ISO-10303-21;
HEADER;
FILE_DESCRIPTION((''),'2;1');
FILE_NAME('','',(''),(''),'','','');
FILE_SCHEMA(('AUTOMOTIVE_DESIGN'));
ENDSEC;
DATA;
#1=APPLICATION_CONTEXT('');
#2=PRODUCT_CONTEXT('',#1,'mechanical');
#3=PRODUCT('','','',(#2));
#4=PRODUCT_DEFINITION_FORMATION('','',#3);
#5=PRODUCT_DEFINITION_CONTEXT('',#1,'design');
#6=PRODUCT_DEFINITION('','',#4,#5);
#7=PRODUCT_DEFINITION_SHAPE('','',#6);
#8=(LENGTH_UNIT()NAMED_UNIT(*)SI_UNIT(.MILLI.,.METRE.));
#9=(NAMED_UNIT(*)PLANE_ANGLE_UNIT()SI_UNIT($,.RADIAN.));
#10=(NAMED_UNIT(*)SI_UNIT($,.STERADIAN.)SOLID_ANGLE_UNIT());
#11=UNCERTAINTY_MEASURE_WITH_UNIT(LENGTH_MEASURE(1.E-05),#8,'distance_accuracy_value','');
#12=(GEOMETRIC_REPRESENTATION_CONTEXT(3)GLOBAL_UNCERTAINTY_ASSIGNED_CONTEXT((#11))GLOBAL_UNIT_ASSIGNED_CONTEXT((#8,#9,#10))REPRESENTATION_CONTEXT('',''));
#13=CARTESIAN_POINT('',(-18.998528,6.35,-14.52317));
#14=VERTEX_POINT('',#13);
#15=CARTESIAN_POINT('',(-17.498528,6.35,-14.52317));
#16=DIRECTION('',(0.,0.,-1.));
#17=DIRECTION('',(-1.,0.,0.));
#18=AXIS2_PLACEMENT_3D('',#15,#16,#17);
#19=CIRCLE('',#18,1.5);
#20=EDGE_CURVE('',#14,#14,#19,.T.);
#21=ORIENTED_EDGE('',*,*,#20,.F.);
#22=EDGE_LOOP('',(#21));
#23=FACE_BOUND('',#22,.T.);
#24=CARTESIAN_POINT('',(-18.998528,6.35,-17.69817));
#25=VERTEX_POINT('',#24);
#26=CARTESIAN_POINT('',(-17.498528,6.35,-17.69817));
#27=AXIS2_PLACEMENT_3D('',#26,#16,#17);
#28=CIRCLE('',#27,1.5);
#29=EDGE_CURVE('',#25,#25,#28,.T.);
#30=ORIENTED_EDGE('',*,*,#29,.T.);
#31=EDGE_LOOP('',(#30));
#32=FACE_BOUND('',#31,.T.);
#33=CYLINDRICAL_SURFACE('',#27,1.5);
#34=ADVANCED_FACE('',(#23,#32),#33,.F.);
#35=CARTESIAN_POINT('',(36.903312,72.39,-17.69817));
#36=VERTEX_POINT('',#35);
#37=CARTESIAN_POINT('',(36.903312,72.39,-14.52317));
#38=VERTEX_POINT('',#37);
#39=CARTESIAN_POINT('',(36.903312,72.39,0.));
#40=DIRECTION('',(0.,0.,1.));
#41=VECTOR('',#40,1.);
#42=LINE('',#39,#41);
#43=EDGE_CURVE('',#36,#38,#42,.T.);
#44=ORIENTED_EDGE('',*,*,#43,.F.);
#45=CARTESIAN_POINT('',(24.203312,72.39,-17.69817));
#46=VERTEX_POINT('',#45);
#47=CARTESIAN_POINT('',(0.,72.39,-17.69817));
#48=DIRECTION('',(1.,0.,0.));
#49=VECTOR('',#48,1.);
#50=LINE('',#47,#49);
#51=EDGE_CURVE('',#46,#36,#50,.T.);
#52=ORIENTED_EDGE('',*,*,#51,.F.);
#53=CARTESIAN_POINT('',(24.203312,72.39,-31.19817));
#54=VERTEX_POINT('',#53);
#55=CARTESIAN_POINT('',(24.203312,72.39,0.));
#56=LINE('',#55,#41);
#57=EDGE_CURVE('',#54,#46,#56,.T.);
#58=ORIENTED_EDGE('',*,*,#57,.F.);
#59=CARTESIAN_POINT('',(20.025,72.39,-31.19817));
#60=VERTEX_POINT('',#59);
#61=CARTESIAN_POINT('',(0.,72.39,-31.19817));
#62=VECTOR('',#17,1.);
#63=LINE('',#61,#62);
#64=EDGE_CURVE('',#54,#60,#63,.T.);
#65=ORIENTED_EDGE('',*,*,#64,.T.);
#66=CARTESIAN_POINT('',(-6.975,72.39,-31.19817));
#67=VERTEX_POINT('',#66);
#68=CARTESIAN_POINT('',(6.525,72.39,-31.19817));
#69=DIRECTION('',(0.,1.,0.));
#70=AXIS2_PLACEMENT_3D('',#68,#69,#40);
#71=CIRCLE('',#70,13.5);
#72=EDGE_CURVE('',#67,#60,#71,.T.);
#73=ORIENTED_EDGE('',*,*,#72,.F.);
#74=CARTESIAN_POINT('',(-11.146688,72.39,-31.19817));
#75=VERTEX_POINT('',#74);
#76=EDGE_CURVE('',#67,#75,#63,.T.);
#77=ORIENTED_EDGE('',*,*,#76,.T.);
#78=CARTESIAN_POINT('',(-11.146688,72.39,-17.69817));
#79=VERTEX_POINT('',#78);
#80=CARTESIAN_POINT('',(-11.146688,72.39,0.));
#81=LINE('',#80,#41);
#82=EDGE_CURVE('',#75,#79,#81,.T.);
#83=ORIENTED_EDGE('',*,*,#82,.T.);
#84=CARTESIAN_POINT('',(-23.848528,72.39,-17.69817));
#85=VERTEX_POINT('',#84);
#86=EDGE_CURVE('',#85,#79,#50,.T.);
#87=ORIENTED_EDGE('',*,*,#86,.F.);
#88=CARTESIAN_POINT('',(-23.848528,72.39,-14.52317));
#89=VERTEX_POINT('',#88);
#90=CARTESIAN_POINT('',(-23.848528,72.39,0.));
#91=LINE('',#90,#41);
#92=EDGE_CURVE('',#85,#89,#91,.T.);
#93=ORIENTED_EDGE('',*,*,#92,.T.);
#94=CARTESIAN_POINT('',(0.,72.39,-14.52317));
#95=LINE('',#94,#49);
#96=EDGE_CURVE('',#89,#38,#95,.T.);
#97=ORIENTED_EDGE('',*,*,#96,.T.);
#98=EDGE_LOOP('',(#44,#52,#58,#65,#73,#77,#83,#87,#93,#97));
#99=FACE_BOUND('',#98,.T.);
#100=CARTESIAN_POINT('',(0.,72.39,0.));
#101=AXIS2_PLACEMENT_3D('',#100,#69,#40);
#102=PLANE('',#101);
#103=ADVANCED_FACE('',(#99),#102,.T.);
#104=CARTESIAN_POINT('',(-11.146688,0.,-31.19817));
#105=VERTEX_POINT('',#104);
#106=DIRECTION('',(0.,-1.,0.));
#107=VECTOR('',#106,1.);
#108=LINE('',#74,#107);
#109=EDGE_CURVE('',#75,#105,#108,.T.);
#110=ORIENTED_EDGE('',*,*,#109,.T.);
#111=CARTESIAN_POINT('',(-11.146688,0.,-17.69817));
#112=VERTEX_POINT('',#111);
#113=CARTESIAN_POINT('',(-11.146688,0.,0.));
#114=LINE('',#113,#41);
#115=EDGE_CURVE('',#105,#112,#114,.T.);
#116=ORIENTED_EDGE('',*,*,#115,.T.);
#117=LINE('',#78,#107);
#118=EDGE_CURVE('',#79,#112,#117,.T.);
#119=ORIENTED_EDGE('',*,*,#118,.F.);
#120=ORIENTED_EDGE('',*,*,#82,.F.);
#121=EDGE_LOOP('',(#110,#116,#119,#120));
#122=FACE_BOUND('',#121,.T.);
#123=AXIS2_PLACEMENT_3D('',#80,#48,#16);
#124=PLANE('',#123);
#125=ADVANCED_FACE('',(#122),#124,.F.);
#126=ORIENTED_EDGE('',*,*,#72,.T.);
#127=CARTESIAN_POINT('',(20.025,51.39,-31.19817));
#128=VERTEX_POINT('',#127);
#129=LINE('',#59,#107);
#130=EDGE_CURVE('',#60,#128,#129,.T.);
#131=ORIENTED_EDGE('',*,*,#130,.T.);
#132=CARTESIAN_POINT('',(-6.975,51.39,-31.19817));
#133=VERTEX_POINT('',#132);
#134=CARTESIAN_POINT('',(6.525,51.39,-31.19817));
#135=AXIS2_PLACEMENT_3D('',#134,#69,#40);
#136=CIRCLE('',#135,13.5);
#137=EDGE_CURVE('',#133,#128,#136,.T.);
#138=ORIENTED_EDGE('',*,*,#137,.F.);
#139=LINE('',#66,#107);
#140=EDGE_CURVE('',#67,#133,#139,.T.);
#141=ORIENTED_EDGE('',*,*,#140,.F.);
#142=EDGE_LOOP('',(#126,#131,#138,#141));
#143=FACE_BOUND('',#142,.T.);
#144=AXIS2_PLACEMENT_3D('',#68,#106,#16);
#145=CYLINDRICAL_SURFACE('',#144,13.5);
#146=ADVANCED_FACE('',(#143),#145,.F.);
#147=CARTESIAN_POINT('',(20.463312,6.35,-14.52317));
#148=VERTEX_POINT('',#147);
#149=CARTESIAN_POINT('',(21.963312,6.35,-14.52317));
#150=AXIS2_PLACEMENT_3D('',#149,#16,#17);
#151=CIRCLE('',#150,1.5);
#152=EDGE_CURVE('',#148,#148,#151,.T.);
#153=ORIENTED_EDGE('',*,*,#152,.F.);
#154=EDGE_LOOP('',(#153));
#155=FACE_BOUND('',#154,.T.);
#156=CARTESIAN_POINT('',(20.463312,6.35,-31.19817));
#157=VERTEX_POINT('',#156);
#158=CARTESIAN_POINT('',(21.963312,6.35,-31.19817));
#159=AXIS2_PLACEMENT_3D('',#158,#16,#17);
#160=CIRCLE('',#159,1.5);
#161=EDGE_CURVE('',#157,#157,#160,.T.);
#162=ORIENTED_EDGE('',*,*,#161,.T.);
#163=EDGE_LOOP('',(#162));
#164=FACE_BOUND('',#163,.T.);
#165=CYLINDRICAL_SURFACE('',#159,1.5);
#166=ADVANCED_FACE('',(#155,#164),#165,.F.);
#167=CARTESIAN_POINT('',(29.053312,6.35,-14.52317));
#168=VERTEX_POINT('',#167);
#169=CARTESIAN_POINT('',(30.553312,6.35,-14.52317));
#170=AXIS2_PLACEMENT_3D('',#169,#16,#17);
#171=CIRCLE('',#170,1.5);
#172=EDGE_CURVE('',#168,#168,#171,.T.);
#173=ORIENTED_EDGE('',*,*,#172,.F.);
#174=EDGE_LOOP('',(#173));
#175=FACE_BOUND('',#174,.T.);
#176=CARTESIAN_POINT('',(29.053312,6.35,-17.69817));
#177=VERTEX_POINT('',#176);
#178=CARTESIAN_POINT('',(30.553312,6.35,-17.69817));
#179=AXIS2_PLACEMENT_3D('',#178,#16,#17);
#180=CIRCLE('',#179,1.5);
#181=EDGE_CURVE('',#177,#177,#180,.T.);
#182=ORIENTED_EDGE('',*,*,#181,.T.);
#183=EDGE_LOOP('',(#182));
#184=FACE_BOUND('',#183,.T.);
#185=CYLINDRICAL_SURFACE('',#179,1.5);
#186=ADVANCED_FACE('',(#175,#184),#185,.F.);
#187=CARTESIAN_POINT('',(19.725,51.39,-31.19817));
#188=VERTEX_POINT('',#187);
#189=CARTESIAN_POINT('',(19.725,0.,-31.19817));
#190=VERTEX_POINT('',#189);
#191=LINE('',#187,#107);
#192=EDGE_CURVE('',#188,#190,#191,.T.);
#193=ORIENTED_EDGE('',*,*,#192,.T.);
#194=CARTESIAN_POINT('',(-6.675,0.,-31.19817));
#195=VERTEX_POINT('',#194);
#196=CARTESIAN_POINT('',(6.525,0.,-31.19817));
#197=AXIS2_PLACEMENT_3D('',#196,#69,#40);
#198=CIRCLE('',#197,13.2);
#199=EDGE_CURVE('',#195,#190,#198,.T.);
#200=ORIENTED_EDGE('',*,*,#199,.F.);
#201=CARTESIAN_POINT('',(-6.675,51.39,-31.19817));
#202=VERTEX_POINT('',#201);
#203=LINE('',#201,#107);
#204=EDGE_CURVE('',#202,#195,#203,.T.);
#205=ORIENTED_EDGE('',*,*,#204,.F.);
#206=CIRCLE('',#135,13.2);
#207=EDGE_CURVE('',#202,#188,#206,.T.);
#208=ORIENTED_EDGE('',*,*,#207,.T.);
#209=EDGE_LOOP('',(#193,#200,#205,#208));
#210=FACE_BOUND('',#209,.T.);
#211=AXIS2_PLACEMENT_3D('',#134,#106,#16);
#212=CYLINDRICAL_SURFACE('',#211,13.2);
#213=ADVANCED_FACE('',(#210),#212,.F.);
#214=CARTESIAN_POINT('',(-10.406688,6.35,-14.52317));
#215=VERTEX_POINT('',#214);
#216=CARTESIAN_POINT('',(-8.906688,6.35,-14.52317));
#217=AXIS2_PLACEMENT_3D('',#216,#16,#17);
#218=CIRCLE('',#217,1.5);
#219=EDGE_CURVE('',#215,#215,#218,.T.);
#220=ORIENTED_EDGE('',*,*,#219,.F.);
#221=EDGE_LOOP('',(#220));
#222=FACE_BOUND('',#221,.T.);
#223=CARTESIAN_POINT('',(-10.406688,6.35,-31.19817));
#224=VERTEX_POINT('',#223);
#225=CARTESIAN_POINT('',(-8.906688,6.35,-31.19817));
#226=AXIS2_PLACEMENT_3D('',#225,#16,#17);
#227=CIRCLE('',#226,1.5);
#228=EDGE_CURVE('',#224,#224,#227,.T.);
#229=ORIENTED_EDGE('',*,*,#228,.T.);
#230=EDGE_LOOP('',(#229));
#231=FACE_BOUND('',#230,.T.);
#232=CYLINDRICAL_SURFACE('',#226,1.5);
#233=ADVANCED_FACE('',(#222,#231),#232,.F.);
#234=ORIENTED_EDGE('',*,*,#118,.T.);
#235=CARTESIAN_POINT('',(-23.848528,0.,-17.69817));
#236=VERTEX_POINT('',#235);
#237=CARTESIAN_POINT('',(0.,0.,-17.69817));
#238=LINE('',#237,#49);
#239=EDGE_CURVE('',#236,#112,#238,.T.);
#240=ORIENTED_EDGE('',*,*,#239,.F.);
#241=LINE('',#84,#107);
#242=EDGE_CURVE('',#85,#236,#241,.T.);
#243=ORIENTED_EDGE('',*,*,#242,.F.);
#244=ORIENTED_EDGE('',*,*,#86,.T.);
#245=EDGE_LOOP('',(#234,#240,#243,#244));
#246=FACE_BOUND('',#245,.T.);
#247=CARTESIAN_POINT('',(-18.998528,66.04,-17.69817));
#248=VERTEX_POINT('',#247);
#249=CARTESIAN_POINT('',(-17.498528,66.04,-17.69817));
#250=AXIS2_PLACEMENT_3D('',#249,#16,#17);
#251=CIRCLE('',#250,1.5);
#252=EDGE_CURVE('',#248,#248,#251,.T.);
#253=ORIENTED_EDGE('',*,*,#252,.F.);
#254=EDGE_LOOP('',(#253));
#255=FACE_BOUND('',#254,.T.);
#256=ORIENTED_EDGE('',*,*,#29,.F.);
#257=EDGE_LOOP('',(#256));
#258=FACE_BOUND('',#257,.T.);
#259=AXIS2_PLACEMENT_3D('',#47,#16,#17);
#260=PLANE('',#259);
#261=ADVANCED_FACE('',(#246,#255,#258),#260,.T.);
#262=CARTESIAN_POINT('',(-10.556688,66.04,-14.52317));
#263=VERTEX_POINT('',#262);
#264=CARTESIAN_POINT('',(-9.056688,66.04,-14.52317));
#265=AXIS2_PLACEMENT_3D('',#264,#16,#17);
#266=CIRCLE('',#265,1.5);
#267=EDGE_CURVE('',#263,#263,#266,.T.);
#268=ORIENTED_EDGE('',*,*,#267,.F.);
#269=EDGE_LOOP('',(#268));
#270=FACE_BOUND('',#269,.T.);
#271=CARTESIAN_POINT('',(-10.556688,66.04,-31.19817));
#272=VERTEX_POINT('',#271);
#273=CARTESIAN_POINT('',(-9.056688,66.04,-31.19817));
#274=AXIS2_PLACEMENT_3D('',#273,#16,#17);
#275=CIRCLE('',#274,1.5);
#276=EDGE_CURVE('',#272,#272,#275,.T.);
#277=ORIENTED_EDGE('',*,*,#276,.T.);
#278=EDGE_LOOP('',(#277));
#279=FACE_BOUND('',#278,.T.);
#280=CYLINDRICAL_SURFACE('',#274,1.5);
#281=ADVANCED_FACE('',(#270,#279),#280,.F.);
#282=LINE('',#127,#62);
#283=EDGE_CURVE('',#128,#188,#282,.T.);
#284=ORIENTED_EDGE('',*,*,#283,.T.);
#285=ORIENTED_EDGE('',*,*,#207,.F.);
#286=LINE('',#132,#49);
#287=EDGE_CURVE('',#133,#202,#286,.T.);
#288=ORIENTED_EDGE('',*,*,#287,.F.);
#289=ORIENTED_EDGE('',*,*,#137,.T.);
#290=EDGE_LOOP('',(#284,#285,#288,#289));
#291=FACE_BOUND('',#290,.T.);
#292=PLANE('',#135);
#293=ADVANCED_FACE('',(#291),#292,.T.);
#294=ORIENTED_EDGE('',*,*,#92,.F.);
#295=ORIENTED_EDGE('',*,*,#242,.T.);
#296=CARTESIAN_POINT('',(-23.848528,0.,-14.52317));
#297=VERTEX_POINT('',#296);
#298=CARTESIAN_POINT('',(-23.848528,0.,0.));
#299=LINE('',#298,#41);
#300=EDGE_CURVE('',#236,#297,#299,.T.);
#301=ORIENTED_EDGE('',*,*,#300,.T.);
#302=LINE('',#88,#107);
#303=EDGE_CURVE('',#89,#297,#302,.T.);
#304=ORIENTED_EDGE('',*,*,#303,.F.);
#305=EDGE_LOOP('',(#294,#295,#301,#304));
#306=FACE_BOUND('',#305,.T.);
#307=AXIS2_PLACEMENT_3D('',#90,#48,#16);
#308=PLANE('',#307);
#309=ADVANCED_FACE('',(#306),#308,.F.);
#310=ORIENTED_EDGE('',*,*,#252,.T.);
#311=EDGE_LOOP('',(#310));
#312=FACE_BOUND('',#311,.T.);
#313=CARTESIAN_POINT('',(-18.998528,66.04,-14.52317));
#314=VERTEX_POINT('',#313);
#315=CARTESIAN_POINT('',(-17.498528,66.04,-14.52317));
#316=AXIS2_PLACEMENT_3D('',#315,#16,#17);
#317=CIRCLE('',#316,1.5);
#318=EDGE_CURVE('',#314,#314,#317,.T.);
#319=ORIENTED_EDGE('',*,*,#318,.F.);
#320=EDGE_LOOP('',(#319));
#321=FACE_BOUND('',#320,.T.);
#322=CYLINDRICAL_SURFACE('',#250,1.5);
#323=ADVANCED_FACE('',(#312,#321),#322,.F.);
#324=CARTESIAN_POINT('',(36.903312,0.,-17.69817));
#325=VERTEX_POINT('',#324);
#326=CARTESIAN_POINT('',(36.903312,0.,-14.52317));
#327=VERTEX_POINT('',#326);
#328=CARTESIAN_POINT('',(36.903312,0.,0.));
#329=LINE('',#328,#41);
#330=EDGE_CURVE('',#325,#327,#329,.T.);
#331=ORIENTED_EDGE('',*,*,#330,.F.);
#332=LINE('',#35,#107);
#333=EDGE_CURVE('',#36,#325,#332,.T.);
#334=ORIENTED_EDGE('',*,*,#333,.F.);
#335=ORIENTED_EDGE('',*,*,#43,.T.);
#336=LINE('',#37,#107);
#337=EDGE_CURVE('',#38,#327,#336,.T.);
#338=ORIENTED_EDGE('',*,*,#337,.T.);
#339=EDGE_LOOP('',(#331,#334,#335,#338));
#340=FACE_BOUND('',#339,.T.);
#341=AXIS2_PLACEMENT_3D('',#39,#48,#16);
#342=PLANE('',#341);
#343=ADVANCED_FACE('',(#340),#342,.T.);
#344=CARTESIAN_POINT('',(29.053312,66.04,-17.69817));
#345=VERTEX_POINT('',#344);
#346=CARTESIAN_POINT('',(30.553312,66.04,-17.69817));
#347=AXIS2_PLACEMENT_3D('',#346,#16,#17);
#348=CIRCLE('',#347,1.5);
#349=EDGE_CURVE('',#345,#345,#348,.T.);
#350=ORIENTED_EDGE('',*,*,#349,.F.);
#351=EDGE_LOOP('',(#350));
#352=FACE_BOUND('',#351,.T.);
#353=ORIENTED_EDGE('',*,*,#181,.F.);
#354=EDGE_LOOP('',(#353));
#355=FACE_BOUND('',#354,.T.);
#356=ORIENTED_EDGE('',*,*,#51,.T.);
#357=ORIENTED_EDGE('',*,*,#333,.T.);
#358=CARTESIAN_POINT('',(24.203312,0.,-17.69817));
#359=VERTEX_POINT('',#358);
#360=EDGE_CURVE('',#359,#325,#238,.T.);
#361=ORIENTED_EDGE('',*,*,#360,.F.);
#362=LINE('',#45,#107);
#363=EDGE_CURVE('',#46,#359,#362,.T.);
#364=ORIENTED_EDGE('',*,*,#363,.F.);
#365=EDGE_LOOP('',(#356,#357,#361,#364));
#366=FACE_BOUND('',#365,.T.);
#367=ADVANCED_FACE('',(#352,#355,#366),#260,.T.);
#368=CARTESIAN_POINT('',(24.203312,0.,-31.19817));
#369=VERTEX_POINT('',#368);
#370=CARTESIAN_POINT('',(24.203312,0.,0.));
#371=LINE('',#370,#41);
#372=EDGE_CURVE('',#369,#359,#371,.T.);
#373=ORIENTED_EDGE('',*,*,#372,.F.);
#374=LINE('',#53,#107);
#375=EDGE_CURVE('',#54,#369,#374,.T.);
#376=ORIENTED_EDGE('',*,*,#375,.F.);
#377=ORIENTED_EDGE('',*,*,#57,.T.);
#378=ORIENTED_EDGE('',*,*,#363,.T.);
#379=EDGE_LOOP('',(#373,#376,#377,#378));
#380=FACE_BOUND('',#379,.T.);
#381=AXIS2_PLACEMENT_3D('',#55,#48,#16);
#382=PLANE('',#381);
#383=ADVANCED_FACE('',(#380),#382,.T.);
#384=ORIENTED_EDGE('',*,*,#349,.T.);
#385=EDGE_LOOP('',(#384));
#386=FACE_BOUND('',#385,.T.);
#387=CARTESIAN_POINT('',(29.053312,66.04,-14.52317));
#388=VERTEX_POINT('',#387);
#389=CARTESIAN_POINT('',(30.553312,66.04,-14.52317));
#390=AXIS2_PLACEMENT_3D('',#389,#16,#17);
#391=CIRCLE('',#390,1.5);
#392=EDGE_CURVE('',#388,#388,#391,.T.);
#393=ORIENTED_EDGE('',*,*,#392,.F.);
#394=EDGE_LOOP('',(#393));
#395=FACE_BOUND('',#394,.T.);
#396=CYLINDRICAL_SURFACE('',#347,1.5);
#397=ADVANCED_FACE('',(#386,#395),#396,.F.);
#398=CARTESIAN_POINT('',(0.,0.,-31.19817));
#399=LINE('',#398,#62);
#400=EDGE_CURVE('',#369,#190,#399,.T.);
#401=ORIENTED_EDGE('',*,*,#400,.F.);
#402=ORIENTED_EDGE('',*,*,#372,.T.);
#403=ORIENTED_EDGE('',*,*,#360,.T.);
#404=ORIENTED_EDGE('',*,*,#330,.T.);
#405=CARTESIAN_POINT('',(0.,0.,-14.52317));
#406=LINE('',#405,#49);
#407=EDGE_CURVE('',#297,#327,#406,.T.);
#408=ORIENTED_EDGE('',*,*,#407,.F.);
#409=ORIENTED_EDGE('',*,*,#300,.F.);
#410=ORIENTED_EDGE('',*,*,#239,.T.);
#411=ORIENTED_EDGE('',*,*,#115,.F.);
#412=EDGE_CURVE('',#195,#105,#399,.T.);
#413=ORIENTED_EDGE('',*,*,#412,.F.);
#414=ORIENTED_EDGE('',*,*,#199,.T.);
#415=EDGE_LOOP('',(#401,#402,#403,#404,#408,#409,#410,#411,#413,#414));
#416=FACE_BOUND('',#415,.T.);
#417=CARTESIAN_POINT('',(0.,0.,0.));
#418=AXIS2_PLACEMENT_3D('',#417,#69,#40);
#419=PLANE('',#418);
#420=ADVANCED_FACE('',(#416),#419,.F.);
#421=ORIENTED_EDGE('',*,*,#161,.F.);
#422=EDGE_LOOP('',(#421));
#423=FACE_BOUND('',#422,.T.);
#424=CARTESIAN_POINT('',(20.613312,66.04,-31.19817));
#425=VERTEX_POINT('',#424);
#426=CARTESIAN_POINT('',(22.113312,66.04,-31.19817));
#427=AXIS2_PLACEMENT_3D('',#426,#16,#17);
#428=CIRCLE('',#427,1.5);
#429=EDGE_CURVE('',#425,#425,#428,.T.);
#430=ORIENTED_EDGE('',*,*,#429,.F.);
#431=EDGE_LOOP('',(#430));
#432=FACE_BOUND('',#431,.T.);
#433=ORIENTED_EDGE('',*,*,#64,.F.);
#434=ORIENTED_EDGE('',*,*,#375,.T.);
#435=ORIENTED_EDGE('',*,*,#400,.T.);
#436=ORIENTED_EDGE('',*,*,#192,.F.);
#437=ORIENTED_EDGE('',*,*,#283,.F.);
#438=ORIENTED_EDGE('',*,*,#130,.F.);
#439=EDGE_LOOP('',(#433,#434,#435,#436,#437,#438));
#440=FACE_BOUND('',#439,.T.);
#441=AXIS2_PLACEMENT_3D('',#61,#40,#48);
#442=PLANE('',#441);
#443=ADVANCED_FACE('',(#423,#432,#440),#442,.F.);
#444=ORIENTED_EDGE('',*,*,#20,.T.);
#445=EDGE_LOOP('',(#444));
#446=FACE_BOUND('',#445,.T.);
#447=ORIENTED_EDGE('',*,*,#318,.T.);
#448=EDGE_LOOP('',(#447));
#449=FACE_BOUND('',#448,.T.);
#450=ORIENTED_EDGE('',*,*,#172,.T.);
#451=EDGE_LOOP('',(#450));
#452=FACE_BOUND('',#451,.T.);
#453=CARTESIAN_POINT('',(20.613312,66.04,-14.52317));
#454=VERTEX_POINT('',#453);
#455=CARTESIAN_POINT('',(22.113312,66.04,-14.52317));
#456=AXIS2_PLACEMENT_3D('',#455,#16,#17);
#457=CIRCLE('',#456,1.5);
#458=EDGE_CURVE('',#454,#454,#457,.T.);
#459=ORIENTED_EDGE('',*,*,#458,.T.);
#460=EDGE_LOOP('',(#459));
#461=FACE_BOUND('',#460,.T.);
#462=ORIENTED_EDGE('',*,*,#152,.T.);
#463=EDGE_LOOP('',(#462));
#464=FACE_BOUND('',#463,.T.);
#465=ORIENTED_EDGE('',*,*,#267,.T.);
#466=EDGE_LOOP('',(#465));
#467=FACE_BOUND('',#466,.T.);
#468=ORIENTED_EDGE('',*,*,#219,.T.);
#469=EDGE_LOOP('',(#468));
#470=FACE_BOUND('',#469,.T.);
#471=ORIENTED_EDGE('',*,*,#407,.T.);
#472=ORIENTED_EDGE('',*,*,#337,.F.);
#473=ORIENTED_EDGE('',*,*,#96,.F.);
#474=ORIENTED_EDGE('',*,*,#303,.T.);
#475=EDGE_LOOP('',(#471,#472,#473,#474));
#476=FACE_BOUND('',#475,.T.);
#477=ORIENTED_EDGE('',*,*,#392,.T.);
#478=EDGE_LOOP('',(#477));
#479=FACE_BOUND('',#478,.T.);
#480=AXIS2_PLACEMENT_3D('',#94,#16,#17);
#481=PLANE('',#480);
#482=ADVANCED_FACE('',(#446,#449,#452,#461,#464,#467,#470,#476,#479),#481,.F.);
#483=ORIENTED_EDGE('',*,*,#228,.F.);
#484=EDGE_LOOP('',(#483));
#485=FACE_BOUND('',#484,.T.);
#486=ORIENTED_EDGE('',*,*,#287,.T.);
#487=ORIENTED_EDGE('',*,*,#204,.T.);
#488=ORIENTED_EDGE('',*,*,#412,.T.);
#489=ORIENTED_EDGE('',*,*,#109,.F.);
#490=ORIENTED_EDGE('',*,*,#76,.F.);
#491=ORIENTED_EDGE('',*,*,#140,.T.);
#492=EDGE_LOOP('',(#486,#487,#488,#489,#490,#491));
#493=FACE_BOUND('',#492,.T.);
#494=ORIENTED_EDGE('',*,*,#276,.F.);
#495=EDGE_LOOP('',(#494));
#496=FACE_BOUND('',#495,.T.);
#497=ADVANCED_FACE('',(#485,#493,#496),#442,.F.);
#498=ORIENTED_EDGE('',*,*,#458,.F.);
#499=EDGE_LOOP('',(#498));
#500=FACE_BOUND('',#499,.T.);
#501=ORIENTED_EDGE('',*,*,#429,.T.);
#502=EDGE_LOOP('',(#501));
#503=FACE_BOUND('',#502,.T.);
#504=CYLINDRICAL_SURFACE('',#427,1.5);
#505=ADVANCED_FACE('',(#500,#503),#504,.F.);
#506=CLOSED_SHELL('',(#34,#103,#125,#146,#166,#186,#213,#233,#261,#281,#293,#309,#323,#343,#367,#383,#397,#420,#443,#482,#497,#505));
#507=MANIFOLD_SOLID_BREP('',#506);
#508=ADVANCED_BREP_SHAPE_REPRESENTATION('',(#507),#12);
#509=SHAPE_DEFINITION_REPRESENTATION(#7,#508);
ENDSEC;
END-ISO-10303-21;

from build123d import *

# Parameters (mm, degrees)
BOSS_EXTRUDE3_DEPTH   = 72.39
BOSS_EXTRUDE4_DEPTH   = 51.39
F_3_0MM_DOWEL_HOLE1_D = 3
F_3_0MM_DOWEL_HOLE2_D = 3
F_3_0MM_DOWEL_HOLE4_D = 3


with BuildPart() as part:
    # Sketch1 → Boss-Extrude3 (new body)
    with BuildSketch(Plane(origin=(0, 0, 0), x_dir=(1, 0, 0), z_dir=(0, 1, 0))):
        with BuildLine():
            Line((-11.1466884, 17.698170271), (-23.8485284, 17.698170271))
            Line((-23.8485284, 17.698170271), (-23.8485284, 14.523170271))
            Line((-23.8485284, 14.523170271), (36.9033116, 14.523170271))
            Line((36.9033116, 14.523170271), (36.9033116, 17.698170271))
            Line((36.9033116, 17.698170271), (24.2033116, 17.698170271))
            Line((24.2033116, 17.698170271), (24.2033116, 31.198170271))
            Line((24.2033116, 31.198170271), (20.025, 31.198170271))
            ThreePointArc((20.025, 31.198170271), (6.525, 17.69817027), (-6.975, 31.198170271))
            Line((-6.975, 31.198170271), (-11.1466884, 31.198170271))
            Line((-11.1466884, 31.198170271), (-11.1466884, 17.698170271))
        make_face()
    extrude(amount=BOSS_EXTRUDE3_DEPTH)

    # Sketch1<13> → Boss-Extrude4 (add)
    with BuildSketch(Plane(origin=(0, 0, 0), x_dir=(1, 0, 0), z_dir=(0, 1, 0))):
        with BuildLine():
            Line((-6.975, 31.198170271), (-6.675, 31.198170271))
            ThreePointArc((-6.675, 31.198170271), (6.525, 17.99817027), (19.725, 31.198170271))
            Line((19.725, 31.198170271), (20.025, 31.198170271))
            ThreePointArc((20.025, 31.198170271), (6.525, 17.69817027), (-6.975, 31.198170271))
        make_face()
    extrude(amount=BOSS_EXTRUDE4_DEPTH)

    # Ø3.0mm Dowel Hole1 (through all)
    with Locations(Plane(origin=(0, 0, -17.698170271), x_dir=(-1, 0, 0), z_dir=(0, 0, -1))):
        with Locations((-30.5533116, 66.04), (-30.5533116, 6.35)):
            Hole(F_3_0MM_DOWEL_HOLE1_D / 2)

    # Ø3.0mm Dowel Hole2 (through all)
    with Locations(Plane(origin=(0, 0, -17.698170271), x_dir=(-1, 0, 0), z_dir=(0, 0, -1))):
        with Locations((17.4985284, 6.35), (17.4985284, 66.04)):
            Hole(F_3_0MM_DOWEL_HOLE2_D / 2)

    # Ø3.0mm Dowel Hole4 (through all)
    with Locations(Plane(origin=(0, 0, -31.198170271), x_dir=(-1, 0, 0), z_dir=(0, 0, -1))):
        with Locations((-22.1133116, 66.04), (9.0566884, 66.04), (8.9066884, 6.35), (-21.9633116, 6.35)):
            Hole(F_3_0MM_DOWEL_HOLE4_D / 2)


solid = part.part
